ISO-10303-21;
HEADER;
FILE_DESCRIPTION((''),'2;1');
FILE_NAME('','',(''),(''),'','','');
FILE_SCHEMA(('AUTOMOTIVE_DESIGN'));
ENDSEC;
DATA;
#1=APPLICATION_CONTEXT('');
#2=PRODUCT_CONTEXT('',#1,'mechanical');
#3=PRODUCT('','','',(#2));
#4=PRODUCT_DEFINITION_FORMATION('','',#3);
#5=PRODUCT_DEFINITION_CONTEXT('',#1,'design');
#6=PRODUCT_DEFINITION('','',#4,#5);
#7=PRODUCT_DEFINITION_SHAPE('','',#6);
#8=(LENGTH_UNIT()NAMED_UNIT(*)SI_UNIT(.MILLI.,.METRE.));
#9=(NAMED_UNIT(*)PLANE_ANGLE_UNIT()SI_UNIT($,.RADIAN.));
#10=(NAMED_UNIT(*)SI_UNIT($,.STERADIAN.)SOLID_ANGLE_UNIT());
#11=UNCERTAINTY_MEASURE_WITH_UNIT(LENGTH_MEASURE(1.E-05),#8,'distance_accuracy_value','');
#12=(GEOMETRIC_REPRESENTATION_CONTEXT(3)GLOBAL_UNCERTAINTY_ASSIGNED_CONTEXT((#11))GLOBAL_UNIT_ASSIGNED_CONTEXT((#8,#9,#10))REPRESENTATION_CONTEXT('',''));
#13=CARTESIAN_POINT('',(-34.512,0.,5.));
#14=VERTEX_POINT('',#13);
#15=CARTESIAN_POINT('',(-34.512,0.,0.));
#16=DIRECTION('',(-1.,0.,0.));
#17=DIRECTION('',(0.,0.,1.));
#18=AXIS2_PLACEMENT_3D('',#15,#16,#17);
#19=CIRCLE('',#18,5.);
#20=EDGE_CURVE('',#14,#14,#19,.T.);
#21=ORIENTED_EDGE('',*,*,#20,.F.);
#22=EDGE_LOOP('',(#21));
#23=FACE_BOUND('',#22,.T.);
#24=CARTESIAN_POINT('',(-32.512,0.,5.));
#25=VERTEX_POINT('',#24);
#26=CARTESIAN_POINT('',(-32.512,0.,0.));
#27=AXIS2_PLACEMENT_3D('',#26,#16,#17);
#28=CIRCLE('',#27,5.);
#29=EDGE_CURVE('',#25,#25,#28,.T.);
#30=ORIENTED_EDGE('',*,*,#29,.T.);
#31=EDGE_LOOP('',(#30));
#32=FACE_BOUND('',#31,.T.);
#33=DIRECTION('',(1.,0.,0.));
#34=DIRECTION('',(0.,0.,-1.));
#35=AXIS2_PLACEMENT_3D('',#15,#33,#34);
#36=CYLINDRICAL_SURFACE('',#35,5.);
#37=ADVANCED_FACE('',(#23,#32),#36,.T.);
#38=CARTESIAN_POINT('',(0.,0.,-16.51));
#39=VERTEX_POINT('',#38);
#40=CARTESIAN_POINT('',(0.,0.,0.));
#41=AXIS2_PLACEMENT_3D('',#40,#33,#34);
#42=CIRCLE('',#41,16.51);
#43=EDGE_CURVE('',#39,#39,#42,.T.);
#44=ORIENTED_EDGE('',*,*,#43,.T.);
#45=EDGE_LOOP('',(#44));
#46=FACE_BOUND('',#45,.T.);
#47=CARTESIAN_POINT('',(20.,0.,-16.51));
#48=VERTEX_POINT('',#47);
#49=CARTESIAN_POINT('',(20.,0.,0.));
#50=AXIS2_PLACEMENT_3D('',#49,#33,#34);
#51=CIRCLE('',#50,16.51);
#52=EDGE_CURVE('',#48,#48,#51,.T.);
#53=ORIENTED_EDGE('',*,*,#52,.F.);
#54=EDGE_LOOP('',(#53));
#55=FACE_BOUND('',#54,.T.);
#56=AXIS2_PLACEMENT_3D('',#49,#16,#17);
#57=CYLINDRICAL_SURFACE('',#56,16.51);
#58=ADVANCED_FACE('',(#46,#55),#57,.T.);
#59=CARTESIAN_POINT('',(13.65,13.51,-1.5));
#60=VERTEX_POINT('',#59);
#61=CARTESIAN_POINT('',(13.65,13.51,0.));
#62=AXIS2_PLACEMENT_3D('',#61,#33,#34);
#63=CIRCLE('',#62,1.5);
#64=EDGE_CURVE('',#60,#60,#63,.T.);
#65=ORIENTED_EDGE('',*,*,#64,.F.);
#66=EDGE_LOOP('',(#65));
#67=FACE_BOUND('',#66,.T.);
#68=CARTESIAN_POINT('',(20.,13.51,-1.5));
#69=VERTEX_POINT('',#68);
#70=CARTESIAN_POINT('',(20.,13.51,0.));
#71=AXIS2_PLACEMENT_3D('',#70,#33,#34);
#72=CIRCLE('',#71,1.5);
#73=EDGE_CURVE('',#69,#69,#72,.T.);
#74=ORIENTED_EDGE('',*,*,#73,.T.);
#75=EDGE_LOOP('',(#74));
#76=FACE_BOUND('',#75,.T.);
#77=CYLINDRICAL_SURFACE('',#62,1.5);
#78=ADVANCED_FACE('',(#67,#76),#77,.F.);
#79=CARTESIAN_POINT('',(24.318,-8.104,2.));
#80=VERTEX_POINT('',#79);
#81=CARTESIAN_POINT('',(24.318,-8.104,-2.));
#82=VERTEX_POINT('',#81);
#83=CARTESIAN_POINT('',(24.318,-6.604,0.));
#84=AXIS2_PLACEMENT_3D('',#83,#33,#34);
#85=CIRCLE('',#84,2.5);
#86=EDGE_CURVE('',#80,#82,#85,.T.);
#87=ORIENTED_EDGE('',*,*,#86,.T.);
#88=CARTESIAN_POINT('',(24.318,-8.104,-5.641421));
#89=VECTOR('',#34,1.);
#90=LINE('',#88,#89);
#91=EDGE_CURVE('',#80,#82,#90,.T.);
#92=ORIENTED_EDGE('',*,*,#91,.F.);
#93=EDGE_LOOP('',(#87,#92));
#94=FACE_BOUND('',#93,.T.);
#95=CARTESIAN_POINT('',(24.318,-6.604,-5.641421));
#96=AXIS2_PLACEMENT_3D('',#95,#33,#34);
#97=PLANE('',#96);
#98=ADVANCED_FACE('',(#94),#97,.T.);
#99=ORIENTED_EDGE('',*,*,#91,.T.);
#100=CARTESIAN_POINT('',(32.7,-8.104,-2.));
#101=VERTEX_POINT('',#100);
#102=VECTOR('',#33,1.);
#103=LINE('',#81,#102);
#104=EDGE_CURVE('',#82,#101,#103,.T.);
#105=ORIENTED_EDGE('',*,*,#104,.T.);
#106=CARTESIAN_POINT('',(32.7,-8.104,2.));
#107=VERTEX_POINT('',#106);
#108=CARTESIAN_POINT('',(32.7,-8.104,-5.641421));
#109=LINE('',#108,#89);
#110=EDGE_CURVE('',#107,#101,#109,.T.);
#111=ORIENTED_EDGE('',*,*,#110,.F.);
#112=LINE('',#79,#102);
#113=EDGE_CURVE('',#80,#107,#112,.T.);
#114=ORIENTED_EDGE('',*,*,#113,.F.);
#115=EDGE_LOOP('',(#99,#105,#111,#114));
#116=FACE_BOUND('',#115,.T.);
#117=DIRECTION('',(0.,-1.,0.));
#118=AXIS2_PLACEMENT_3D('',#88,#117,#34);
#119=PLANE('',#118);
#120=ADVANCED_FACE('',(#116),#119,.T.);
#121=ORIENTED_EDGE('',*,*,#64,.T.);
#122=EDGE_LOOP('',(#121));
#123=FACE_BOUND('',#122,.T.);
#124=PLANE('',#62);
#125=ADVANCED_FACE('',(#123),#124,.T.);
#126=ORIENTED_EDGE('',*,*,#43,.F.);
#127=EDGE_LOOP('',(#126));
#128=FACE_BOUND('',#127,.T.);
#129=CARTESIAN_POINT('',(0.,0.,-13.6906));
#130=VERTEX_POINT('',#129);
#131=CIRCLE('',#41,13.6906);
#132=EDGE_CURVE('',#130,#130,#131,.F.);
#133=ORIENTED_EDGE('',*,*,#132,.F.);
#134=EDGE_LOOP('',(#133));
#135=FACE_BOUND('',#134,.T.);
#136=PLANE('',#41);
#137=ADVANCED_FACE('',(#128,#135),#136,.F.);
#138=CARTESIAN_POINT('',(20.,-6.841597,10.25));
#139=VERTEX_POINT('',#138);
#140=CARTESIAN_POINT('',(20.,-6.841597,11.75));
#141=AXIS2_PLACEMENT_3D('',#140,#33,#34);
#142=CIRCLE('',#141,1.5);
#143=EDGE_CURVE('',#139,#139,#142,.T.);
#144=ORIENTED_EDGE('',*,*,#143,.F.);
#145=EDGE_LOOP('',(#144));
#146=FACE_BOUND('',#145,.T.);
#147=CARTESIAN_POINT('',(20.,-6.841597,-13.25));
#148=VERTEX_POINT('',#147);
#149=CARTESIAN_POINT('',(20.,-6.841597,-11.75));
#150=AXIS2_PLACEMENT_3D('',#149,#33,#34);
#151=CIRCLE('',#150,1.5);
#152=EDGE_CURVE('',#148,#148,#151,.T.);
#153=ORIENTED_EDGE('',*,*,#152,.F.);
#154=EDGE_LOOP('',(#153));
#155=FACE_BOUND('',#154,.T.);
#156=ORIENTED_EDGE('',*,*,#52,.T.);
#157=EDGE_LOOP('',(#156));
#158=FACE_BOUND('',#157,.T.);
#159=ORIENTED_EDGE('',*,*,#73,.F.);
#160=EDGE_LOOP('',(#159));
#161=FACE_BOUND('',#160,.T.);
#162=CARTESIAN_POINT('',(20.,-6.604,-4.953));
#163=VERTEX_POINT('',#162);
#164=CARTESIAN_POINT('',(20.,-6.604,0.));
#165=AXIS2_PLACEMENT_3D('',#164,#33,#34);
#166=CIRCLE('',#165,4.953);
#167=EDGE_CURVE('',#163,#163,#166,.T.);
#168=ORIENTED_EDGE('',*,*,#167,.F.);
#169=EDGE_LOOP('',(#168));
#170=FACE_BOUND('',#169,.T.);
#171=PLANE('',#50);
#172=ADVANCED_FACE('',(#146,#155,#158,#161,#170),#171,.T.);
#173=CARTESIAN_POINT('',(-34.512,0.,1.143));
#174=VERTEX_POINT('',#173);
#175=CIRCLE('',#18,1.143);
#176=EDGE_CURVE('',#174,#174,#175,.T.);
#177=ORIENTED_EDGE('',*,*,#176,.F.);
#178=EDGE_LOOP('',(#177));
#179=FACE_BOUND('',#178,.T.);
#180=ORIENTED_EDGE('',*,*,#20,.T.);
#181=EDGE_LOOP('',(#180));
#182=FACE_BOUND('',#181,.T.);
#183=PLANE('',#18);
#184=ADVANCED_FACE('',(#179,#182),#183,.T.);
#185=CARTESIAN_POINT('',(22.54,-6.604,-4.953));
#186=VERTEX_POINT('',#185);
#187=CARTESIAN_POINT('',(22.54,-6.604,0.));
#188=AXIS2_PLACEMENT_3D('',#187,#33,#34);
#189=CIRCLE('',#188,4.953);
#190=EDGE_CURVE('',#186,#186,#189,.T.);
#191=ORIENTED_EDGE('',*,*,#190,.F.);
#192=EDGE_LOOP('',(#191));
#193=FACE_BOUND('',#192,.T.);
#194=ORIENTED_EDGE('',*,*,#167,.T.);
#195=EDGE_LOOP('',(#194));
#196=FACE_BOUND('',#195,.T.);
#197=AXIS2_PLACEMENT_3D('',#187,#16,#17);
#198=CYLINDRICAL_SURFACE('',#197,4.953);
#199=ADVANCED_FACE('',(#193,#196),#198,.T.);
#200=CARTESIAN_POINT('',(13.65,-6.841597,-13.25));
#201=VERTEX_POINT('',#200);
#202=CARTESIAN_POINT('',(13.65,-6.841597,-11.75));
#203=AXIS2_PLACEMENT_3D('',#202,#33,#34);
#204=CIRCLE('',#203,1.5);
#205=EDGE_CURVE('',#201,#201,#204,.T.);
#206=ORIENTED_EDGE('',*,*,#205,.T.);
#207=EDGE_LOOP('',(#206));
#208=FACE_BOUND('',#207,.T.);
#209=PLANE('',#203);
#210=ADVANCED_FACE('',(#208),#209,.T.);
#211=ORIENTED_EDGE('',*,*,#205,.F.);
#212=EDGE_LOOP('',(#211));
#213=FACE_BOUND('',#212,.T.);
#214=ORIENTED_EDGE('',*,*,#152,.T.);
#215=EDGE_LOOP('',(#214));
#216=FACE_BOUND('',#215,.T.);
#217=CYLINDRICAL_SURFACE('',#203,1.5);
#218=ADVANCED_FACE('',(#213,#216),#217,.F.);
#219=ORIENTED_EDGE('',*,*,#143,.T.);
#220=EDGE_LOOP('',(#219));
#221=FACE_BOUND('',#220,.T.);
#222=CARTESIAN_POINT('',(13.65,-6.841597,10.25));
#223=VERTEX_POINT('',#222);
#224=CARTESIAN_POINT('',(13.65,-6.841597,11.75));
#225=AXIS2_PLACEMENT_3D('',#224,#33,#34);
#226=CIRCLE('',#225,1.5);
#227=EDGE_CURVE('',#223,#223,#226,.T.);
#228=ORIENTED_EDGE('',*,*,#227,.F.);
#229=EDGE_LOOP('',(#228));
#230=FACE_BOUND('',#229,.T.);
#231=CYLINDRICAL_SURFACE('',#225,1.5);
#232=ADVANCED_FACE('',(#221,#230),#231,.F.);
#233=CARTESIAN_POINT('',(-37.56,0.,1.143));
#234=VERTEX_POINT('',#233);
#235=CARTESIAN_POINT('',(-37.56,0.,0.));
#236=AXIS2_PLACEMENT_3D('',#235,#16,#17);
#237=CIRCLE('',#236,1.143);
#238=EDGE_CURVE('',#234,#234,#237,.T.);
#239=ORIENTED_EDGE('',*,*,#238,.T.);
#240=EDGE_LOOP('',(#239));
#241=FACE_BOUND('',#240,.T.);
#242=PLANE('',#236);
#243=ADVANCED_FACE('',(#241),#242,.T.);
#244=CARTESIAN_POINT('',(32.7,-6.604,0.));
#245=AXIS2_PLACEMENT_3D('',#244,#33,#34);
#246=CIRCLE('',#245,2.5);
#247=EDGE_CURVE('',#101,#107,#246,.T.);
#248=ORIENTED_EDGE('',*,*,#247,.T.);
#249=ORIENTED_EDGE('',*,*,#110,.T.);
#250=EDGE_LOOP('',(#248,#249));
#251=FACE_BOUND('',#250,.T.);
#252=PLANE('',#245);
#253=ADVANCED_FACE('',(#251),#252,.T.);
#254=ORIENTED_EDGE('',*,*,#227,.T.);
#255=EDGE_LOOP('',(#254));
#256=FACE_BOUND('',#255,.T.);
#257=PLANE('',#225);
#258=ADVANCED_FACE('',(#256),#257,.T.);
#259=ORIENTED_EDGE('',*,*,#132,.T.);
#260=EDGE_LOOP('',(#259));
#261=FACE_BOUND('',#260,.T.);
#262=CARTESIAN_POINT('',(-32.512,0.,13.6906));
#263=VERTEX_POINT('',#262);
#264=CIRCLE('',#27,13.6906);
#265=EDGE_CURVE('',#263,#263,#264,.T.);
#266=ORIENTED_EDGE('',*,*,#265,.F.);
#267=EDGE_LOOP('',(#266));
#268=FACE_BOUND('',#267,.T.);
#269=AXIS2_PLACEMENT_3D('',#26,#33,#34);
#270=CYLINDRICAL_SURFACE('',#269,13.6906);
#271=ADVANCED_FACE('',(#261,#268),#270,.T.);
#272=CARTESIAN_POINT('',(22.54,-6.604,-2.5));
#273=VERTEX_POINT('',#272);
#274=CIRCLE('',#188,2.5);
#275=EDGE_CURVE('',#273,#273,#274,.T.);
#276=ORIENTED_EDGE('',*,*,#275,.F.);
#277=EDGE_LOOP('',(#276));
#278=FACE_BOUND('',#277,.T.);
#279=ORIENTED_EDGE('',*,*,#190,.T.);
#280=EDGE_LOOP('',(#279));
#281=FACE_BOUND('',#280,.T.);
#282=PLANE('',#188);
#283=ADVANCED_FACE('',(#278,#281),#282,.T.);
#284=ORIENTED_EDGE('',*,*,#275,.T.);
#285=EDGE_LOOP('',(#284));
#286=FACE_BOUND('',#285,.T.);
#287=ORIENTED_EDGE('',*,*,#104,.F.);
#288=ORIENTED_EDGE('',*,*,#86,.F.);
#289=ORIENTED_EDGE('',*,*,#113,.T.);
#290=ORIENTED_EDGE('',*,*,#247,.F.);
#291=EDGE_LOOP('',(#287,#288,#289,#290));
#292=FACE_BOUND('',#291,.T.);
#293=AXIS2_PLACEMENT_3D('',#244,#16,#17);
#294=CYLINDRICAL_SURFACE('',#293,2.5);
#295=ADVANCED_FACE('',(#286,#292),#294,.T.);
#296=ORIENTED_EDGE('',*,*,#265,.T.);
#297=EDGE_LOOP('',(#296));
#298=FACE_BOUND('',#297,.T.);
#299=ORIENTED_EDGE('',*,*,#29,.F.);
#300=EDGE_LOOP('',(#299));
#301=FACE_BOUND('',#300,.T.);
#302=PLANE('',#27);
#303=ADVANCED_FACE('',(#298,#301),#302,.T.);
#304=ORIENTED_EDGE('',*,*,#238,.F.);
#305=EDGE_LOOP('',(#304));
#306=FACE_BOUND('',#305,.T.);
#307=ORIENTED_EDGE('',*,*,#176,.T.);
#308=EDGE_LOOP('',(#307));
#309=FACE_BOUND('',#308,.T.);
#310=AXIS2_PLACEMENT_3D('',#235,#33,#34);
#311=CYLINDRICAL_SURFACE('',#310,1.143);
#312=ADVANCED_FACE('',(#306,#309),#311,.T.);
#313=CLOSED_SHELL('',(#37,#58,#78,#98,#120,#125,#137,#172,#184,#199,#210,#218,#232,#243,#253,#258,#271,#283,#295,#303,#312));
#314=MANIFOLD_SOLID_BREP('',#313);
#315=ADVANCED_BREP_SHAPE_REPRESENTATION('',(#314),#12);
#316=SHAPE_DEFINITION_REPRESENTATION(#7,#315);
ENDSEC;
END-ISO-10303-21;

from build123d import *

# Parameters (mm, degrees)
SKETCH1_R           = 16.51
BOSS_EXTRUDE2_DEPTH = 20
SKETCH2_R           = 13.6906
BOSS_EXTRUDE3_DEPTH = 32.512
SKETCH3_R           = 1.5
CUT_EXTRUDE1_DEPTH  = 6.35
SKETCH4_R           = 4.953
BOSS_EXTRUDE4_DEPTH = 2.54
SKETCH5_R           = 2.5
BOSS_EXTRUDE5_DEPTH = 10.16
SKETCH6_R           = 5
BOSS_EXTRUDE6_DEPTH = 2
SKETCH7_R           = 1.143
BOSS_EXTRUDE7_DEPTH = 3.048
CUT_EXTRUDE2_DEPTH  = 8.382


with BuildPart() as part:
    # Sketch1 → Boss-Extrude2 (new body)
    with BuildSketch(Plane(origin=(0, 0, 0), x_dir=(0, 0, -1), z_dir=(1, 0, 0))):
        Circle(SKETCH1_R)
    extrude(amount=BOSS_EXTRUDE2_DEPTH)

    # Sketch2 → Boss-Extrude3 (add)
    with BuildSketch(Plane.ZY):
        Circle(SKETCH2_R)
    extrude(amount=BOSS_EXTRUDE3_DEPTH)

    # Sketch3 → Cut-Extrude1 (cut)
    with BuildSketch(Plane(origin=(20, 0, 0), x_dir=(0, 0, -1), z_dir=(1, 0, 0))):
        with Locations((0, 13.51)):
            Circle(SKETCH3_R)
        with Locations((11.75, -6.841596989)):
            Circle(SKETCH3_R)
        with Locations((-11.75, -6.841596989)):
            Circle(SKETCH3_R)
    extrude(amount=-CUT_EXTRUDE1_DEPTH, mode=Mode.SUBTRACT)

    # Sketch4 → Boss-Extrude4 (add)
    with BuildSketch(Plane(origin=(20, 0, 0), x_dir=(0, 0, -1), z_dir=(1, 0, 0))):
        with Locations((0, -6.604)):
            Circle(SKETCH4_R)
    extrude(amount=BOSS_EXTRUDE4_DEPTH)

    # Sketch5 → Boss-Extrude5 (add)
    with BuildSketch(Plane(origin=(22.54, 0, 0), x_dir=(0, 0, -1), z_dir=(1, 0, 0))):
        with Locations((0, -6.604)):
            Circle(SKETCH5_R)
    extrude(amount=BOSS_EXTRUDE5_DEPTH)

    # Sketch6 → Boss-Extrude6 (add)
    with BuildSketch(Plane.ZY.offset(32.512)):
        Circle(SKETCH6_R)
    extrude(amount=BOSS_EXTRUDE6_DEPTH)

    # Sketch7 → Boss-Extrude7 (add)
    with BuildSketch(Plane.ZY.offset(34.512)):
        Circle(SKETCH7_R)
    extrude(amount=BOSS_EXTRUDE7_DEPTH)

    # Sketch8 → Cut-Extrude2 (cut)
    with BuildSketch(Plane(origin=(32.7, 0, 0), x_dir=(0, 0, -1), z_dir=(1, 0, 0))):
        with BuildLine():
            Line((2, -8.104), (-2, -8.104))
            ThreePointArc((-2, -8.104), (0, -9.104), (2, -8.104))
        make_face()
    extrude(amount=-CUT_EXTRUDE2_DEPTH, mode=Mode.SUBTRACT)


solid = part.part
